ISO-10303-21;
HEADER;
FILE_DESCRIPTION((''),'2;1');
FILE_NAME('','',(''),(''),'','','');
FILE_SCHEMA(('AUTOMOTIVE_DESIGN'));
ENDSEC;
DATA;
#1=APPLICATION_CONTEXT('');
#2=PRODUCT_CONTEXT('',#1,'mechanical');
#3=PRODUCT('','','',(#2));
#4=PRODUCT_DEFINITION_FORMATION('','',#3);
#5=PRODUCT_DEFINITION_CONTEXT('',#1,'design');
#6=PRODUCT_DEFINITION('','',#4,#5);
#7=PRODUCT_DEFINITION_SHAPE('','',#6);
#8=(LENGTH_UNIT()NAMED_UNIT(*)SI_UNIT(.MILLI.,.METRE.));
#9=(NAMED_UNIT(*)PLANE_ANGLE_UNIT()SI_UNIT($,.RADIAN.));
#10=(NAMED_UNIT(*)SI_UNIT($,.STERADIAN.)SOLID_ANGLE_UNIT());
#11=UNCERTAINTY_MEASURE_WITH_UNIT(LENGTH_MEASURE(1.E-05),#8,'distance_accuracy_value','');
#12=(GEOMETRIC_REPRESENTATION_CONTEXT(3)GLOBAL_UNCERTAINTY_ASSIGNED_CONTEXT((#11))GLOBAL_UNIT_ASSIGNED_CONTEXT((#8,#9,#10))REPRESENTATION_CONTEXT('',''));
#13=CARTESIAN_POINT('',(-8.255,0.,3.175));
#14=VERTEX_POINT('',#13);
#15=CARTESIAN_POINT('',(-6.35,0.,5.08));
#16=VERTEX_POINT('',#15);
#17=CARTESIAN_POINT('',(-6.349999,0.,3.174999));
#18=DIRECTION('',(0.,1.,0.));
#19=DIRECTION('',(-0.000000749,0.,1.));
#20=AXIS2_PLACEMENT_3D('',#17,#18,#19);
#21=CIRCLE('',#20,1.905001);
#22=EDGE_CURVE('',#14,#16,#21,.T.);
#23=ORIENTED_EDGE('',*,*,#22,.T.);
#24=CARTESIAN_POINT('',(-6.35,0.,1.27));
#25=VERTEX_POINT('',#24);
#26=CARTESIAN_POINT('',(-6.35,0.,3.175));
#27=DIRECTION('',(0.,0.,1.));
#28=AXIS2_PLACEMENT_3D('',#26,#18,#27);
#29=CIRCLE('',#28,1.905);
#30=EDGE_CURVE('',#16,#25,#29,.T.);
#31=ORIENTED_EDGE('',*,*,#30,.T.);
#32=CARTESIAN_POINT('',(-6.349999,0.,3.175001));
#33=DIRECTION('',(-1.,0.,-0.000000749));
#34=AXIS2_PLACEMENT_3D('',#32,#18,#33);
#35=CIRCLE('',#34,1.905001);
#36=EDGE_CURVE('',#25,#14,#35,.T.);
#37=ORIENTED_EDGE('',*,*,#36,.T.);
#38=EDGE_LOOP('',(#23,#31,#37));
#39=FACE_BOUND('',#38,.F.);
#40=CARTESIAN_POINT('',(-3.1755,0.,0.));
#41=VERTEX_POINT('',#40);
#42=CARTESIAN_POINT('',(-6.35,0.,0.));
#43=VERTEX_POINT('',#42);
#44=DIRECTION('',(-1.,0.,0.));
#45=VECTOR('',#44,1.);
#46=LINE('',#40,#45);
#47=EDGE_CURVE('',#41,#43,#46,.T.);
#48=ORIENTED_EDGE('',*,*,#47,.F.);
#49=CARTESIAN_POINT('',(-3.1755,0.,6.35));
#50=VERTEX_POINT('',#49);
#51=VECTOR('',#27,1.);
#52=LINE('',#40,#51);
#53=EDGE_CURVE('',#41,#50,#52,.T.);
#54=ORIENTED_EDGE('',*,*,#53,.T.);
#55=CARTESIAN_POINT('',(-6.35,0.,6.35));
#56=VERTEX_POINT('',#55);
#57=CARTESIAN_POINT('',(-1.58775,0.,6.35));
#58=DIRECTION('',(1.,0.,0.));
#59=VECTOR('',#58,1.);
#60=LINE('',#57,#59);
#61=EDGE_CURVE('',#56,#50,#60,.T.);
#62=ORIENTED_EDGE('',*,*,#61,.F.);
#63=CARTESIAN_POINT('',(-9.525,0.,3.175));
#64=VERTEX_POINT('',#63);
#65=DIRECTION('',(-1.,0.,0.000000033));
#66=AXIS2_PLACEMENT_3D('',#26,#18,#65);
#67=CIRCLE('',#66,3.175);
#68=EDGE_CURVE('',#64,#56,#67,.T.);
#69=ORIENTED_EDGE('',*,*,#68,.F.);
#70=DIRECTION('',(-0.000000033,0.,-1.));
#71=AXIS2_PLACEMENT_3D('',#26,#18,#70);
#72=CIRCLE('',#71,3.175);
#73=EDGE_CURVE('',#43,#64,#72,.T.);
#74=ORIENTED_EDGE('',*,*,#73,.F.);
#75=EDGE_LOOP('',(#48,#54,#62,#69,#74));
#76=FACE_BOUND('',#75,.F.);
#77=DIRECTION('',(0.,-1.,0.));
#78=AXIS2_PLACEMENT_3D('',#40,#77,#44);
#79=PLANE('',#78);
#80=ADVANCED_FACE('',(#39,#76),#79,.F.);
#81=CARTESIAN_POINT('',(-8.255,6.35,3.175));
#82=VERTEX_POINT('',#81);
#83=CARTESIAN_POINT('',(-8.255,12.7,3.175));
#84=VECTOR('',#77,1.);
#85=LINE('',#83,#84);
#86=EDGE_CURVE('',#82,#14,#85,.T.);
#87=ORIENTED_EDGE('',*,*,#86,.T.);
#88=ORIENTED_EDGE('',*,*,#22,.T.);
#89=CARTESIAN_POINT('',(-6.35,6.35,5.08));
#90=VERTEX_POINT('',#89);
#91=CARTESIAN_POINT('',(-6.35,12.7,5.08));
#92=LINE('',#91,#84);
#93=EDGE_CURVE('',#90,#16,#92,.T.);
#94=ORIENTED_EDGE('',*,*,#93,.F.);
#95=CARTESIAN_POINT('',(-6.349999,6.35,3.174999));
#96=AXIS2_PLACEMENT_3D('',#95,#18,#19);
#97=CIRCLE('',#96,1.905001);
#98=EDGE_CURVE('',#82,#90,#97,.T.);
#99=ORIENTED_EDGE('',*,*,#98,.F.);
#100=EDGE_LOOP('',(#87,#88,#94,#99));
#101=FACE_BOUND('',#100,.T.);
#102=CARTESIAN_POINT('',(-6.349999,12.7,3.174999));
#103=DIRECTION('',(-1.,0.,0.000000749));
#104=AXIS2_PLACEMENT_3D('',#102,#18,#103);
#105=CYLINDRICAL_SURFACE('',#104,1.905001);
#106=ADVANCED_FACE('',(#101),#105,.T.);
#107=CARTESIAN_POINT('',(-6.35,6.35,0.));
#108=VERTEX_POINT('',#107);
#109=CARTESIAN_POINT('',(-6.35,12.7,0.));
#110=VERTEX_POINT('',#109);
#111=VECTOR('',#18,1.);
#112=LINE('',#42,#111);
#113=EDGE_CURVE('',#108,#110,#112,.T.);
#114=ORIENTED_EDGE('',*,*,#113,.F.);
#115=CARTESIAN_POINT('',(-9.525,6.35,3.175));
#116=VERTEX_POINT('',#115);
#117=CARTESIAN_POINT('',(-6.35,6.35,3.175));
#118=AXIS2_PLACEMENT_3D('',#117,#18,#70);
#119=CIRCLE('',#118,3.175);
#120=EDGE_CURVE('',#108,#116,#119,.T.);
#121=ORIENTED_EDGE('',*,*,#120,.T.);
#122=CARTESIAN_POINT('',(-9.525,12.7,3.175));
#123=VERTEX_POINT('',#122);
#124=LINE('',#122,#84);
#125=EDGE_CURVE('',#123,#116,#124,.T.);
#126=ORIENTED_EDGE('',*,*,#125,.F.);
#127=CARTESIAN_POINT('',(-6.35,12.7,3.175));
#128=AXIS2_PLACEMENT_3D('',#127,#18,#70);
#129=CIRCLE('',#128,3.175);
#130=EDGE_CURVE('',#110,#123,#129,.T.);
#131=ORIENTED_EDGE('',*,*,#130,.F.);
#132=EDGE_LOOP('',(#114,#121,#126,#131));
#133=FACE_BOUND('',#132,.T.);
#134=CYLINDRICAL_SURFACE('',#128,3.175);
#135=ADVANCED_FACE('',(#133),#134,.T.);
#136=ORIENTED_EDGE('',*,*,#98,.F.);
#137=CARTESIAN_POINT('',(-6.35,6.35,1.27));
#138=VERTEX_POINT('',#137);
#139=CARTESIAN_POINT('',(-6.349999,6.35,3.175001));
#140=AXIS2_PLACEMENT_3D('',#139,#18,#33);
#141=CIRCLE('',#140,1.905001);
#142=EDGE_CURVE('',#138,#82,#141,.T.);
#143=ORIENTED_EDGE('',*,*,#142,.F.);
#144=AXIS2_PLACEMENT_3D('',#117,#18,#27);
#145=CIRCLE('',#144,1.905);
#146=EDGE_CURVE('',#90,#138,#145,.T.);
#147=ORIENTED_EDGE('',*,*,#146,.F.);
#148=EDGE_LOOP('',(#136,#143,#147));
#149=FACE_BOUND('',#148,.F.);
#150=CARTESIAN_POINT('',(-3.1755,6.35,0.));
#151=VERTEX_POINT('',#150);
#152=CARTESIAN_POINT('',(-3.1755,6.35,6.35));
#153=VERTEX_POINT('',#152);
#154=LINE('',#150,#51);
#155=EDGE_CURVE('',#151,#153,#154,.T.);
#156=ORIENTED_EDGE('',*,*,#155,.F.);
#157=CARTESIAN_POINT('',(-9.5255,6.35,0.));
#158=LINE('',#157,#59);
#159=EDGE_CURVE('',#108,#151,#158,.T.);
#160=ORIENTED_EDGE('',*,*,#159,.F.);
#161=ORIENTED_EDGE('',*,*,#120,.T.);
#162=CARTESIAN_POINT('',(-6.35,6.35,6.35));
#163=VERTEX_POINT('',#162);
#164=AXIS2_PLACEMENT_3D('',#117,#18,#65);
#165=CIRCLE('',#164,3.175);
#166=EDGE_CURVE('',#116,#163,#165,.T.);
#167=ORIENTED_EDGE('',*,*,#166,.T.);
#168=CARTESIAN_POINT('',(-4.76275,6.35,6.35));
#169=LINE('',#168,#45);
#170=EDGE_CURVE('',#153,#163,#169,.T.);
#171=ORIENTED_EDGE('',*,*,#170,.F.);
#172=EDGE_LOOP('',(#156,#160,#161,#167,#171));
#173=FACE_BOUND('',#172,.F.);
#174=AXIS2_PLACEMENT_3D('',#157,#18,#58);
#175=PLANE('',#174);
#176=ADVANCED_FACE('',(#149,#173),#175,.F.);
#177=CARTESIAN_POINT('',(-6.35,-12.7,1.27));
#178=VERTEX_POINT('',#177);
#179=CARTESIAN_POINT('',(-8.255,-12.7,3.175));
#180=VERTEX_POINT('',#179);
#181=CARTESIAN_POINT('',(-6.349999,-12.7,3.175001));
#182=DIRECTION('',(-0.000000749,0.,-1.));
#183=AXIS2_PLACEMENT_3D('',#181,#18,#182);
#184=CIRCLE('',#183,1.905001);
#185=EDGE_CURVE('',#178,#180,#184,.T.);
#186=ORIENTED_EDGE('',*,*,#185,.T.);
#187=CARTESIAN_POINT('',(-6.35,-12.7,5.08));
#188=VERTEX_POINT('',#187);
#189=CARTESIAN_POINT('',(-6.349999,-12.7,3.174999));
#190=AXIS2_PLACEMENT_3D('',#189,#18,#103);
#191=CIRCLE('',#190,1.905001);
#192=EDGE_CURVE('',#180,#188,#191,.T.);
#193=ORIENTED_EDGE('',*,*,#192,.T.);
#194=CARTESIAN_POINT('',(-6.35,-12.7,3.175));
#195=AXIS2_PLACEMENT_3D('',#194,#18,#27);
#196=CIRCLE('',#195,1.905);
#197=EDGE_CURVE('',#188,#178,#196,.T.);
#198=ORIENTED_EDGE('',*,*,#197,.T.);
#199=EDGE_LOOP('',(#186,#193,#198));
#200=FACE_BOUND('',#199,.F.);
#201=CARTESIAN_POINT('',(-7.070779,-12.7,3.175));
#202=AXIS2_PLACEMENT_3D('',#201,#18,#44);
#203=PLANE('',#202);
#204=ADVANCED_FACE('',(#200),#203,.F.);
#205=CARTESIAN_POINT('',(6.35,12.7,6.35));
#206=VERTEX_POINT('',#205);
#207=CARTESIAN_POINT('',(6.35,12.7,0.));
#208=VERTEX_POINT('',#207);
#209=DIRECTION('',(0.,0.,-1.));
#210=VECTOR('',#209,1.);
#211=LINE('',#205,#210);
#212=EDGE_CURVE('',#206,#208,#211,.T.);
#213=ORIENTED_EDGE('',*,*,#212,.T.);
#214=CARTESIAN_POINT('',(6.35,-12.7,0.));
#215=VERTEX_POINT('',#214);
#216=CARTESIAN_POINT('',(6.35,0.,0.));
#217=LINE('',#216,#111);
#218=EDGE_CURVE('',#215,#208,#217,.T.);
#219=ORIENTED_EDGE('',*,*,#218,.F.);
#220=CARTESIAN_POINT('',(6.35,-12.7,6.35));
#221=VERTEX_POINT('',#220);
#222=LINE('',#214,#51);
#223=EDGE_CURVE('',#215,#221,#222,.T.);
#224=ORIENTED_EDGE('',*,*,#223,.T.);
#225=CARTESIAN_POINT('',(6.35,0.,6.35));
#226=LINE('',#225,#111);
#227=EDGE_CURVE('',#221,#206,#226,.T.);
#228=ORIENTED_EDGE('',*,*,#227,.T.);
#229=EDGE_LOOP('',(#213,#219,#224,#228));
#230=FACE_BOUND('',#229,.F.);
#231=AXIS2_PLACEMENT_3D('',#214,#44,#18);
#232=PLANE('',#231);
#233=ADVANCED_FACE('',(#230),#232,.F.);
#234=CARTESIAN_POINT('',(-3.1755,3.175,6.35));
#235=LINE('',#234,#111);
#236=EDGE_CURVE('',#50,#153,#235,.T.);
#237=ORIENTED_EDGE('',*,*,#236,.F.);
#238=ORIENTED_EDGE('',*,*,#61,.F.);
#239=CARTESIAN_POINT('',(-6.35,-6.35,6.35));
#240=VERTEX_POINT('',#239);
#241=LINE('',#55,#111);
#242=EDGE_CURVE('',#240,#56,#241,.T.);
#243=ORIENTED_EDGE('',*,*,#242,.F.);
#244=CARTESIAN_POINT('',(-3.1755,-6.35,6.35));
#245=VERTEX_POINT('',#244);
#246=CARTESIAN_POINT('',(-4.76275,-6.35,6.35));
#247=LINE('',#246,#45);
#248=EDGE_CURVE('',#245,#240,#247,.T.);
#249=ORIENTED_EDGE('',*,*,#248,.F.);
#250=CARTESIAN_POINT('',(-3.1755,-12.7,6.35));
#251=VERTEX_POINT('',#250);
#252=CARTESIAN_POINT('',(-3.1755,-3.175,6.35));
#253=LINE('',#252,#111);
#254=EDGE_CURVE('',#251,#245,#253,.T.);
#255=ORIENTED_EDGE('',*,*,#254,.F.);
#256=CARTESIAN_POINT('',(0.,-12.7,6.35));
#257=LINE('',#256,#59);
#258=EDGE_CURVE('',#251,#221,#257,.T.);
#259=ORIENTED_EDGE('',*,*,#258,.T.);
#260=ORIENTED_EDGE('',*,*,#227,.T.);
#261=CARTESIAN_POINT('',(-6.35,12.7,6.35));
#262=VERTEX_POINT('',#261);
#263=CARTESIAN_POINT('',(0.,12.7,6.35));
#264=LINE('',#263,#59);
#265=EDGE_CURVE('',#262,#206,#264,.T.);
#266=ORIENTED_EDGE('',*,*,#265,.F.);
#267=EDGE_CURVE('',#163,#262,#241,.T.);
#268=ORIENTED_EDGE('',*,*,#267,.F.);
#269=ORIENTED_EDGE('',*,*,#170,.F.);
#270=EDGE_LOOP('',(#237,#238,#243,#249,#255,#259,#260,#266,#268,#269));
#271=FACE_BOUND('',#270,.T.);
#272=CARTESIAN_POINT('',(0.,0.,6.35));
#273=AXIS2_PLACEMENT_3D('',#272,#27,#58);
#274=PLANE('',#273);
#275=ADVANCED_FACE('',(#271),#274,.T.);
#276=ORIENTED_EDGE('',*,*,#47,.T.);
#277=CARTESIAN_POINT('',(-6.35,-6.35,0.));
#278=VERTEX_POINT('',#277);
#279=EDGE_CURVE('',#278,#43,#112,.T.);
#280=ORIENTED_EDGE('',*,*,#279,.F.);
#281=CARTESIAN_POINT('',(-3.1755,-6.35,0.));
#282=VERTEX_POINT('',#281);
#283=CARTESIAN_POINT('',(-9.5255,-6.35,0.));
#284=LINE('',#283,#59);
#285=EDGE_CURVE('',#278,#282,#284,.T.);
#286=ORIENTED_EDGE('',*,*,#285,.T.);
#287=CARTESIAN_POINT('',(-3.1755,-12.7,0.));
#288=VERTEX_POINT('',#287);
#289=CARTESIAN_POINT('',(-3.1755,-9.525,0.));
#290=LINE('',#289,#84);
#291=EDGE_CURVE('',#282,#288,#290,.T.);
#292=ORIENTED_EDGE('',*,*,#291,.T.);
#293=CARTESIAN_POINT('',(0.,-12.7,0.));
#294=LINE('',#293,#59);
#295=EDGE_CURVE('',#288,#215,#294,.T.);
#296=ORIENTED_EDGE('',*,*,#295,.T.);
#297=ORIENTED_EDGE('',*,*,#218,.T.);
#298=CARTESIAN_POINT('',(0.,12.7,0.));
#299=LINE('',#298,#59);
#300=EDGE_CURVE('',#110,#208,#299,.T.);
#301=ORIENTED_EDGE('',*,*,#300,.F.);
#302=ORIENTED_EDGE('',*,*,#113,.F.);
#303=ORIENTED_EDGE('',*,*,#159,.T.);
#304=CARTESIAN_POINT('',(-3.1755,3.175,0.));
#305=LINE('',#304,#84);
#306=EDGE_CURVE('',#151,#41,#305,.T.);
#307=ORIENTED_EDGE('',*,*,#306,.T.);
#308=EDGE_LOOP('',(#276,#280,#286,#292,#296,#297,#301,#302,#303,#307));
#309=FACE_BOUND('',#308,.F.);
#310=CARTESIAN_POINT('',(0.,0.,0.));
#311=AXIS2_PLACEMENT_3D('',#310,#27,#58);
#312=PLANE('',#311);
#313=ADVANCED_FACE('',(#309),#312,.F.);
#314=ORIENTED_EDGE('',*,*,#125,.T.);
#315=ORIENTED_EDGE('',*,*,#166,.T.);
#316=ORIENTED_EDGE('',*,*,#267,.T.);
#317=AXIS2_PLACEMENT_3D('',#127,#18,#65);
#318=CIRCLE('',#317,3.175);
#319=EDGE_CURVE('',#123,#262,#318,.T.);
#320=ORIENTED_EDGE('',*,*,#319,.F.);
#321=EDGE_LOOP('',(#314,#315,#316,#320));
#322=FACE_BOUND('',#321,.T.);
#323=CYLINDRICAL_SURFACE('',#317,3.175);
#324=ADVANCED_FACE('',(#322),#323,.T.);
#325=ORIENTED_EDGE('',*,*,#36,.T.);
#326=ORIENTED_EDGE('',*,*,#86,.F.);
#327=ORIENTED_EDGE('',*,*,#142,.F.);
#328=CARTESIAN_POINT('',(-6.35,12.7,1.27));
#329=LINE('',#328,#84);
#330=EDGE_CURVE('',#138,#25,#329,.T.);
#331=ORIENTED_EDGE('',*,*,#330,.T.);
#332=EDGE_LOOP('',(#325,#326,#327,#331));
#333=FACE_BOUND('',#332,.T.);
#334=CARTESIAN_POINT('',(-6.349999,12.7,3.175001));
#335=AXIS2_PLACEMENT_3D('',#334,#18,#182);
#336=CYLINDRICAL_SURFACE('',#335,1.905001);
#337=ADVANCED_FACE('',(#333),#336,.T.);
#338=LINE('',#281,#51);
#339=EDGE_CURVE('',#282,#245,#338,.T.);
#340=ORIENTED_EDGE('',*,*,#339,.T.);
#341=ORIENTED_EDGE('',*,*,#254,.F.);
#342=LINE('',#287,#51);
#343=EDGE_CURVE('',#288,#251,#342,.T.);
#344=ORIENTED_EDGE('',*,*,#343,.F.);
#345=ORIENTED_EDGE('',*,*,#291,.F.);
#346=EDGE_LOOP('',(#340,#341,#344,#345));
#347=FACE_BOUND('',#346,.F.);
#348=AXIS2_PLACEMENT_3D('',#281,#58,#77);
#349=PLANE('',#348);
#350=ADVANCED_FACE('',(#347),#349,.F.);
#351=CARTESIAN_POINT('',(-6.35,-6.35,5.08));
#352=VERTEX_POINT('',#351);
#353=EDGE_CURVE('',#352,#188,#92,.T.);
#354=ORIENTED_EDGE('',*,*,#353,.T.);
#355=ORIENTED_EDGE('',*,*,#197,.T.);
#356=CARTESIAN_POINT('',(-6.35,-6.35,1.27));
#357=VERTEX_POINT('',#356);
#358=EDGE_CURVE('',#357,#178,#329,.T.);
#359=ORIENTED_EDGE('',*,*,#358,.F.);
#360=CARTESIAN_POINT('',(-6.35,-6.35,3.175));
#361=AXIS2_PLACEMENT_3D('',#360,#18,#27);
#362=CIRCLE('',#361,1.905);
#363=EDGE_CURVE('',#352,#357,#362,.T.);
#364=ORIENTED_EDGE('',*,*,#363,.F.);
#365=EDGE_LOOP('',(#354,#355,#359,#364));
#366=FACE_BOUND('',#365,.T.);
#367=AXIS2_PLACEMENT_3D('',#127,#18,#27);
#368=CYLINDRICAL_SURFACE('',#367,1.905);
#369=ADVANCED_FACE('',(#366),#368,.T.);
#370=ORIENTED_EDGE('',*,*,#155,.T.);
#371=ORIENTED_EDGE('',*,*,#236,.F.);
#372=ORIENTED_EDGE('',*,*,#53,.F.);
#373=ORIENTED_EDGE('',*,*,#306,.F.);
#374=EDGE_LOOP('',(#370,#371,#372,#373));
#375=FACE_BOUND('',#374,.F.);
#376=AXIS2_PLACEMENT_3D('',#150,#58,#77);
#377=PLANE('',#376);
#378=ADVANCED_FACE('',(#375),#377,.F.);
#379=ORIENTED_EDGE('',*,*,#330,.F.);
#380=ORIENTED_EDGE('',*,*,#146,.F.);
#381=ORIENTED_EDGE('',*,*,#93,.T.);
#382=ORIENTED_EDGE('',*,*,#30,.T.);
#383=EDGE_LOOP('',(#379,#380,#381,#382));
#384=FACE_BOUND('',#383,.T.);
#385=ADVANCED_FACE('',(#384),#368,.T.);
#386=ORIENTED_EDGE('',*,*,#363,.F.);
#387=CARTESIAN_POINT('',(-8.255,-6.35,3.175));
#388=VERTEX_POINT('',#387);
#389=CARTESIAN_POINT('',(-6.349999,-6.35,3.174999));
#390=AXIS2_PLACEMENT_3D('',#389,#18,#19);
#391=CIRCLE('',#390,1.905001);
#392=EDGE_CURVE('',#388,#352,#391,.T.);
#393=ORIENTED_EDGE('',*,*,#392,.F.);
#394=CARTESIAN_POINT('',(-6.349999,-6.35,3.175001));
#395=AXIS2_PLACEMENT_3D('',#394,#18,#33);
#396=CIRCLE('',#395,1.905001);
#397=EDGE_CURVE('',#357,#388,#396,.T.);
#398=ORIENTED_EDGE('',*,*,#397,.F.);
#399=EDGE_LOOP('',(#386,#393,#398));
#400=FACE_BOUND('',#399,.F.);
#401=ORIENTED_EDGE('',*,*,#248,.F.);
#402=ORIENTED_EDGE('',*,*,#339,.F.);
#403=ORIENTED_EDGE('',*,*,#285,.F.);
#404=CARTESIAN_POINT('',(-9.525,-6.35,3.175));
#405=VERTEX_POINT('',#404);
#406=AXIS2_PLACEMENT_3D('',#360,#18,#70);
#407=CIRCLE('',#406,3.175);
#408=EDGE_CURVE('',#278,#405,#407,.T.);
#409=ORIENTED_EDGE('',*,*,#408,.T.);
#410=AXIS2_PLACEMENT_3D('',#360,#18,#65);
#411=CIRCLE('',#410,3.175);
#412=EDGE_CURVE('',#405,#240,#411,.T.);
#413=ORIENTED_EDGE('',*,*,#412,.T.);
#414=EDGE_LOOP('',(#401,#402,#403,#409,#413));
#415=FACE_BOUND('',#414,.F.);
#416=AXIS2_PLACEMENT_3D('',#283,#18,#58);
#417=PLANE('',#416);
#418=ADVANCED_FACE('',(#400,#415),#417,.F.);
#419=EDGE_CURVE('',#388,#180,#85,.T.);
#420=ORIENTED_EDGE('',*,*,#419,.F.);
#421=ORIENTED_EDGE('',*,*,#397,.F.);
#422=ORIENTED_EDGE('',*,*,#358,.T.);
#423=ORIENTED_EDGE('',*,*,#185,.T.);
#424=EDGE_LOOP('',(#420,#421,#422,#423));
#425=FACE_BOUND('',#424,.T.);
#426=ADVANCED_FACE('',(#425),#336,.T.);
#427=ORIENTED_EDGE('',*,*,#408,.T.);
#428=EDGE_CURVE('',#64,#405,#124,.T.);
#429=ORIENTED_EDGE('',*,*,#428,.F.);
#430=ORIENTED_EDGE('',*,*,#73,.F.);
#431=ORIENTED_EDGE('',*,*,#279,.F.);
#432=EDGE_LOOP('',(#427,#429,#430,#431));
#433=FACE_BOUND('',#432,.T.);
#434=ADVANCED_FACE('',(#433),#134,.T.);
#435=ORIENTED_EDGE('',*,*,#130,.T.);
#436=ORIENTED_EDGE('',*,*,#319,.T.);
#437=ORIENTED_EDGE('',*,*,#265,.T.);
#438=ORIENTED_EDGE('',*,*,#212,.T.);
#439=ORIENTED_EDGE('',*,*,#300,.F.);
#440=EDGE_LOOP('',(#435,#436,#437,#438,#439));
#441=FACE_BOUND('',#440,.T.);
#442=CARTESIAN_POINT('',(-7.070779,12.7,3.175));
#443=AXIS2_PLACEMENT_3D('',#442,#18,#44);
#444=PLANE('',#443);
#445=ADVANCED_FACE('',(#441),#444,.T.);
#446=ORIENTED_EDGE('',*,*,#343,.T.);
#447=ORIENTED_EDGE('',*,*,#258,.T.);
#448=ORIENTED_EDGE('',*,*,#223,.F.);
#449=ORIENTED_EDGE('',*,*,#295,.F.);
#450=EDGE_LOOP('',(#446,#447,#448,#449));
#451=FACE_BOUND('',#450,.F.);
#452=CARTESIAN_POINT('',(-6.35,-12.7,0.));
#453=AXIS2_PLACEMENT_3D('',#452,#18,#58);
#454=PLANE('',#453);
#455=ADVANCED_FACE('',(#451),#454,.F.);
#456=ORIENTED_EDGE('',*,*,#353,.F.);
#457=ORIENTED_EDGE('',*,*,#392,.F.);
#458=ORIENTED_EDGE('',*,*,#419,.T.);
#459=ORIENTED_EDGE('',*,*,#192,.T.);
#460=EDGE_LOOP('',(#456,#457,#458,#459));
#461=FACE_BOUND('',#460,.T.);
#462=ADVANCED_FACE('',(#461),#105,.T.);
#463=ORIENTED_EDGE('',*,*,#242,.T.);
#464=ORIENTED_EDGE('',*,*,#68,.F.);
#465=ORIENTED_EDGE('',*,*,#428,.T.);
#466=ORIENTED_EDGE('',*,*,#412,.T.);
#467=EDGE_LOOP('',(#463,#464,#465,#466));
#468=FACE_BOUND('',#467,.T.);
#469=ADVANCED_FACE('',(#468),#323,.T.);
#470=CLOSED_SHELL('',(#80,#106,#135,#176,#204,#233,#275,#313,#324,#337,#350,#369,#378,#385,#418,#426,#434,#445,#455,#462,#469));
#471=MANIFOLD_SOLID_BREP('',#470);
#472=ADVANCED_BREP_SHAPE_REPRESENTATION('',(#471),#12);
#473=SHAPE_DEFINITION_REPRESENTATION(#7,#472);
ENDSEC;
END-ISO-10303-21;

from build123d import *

# Parameters (mm, degrees)
F0_W     = 12.7
F0_H     = 25.4
F1_DEPTH = 6.35
F3_DEPTH = 25.4
F4_DEPTH = 25.4
F5_W     = 3.1755
F5_H     = 6.35
F5_W_2   = 3.1745
F6_DEPTH = 25.4
F7_DEPTH = 25.4


with BuildPart() as f1:
    # F0 (on Top) → F1 (new body)
    with BuildSketch(Plane.XY):
        Rectangle(F0_W, F0_H)
    extrude(amount=F1_DEPTH)

    # F2 (on face) → F3 (join)
    with BuildSketch(Plane(origin=(0, 12.7, 0), x_dir=(-1, 0, 0), z_dir=(0, 1, 0))):
        with BuildLine():
            Line((6.35, 5.08), (6.35, 6.35))
            ThreePointArc((6.35, 6.35), (3.175, 3.175), (6.35, 0))
            Line((6.35, 0), (6.35, 1.27))
            ThreePointArc((6.35, 1.27), (4.445, 3.175), (6.35, 5.08))
        make_face()
        with BuildLine():
            ThreePointArc((-6.35, 0), (-4.104936, 0.929936), (-3.175, 3.175))
            ThreePointArc((-3.175, 3.175), (-4.104936, 5.420064), (-6.35, 6.35))
            Line((-6.35, 6.35), (-6.35, 5.08))
            ThreePointArc((-6.35, 5.08), (-5.002962, 4.522038), (-4.445, 3.175))
            ThreePointArc((-4.445, 3.175), (-5.002962, 1.827962), (-6.35, 1.27))
            Line((-6.35, 1.27), (-6.35, 0))
        make_face()
        with BuildLine():
            ThreePointArc((9.525, 3.175), (8.595064, 5.420064), (6.35, 6.35))
            Line((6.35, 6.35), (6.35, 5.08))
            ThreePointArc((6.35, 5.08), (7.697038, 4.522038), (8.255, 3.175))
            ThreePointArc((8.255, 3.175), (7.697038, 1.827962), (6.35, 1.27))
            Line((6.35, 1.27), (6.35, 0))
            ThreePointArc((6.35, 0), (8.595064, 0.929936), (9.525, 3.175))
        make_face()
        with BuildLine():
            ThreePointArc((-4.445, 3.175), (-5.002962, 4.522038), (-6.35, 5.08))
            Line((-6.35, 5.08), (-6.35, 1.27))
            ThreePointArc((-6.35, 1.27), (-5.002962, 1.827962), (-4.445, 3.175))
        make_face()
    extrude(amount=-F3_DEPTH)

    # F2 (on face) → F4 (cut)
    with BuildSketch(Plane(origin=(0, 12.7, 0), x_dir=(-1, 0, 0), z_dir=(0, 1, 0))):
        with BuildLine():
            Line((-6.35, 1.27), (-6.35, 5.08))
            ThreePointArc((-6.35, 5.08), (-8.255, 3.175), (-6.35, 1.27))
        make_face()
        with BuildLine():
            ThreePointArc((8.255, 3.175), (7.697038, 4.522038), (6.35, 5.08))
            Line((6.35, 5.08), (6.35, 1.27))
            ThreePointArc((6.35, 1.27), (7.697038, 1.827962), (8.255, 3.175))
        make_face()
    extrude(amount=-F4_DEPTH, mode=Mode.SUBTRACT)

    # F5 (on face) → F6 (cut)
    with BuildSketch(Plane(origin=(0, 0, 0), x_dir=(1, 0, 0), z_dir=(0, 0, -1))):
        with Locations((-7.93775, 9.525)):
            Rectangle(F5_W, F5_H)
        with Locations((-7.93775, -3.175)):
            Rectangle(F5_W, F5_H)
        with Locations((-4.76275, 9.525)):
            Rectangle(F5_W_2, F5_H)
        with Locations((-4.76275, -3.175)):
            Rectangle(F5_W_2, F5_H)
    extrude(amount=-F6_DEPTH, mode=Mode.SUBTRACT)

    # F2 (on face) → F7 (join)
    with BuildSketch(Plane(origin=(0, 12.7, 0), x_dir=(-1, 0, 0), z_dir=(0, 1, 0))):
        with BuildLine():
            ThreePointArc((8.255, 3.175), (7.697038, 4.522038), (6.35, 5.08))
            Line((6.35, 5.08), (6.35, 1.27))
            ThreePointArc((6.35, 1.27), (7.697038, 1.827962), (8.255, 3.175))
        make_face()
        with BuildLine():
            Line((6.35, 1.27), (6.35, 5.08))
            ThreePointArc((6.35, 5.08), (4.445, 3.175), (6.35, 1.27))
        make_face()
    extrude(amount=-F7_DEPTH)


solid = f1.part
